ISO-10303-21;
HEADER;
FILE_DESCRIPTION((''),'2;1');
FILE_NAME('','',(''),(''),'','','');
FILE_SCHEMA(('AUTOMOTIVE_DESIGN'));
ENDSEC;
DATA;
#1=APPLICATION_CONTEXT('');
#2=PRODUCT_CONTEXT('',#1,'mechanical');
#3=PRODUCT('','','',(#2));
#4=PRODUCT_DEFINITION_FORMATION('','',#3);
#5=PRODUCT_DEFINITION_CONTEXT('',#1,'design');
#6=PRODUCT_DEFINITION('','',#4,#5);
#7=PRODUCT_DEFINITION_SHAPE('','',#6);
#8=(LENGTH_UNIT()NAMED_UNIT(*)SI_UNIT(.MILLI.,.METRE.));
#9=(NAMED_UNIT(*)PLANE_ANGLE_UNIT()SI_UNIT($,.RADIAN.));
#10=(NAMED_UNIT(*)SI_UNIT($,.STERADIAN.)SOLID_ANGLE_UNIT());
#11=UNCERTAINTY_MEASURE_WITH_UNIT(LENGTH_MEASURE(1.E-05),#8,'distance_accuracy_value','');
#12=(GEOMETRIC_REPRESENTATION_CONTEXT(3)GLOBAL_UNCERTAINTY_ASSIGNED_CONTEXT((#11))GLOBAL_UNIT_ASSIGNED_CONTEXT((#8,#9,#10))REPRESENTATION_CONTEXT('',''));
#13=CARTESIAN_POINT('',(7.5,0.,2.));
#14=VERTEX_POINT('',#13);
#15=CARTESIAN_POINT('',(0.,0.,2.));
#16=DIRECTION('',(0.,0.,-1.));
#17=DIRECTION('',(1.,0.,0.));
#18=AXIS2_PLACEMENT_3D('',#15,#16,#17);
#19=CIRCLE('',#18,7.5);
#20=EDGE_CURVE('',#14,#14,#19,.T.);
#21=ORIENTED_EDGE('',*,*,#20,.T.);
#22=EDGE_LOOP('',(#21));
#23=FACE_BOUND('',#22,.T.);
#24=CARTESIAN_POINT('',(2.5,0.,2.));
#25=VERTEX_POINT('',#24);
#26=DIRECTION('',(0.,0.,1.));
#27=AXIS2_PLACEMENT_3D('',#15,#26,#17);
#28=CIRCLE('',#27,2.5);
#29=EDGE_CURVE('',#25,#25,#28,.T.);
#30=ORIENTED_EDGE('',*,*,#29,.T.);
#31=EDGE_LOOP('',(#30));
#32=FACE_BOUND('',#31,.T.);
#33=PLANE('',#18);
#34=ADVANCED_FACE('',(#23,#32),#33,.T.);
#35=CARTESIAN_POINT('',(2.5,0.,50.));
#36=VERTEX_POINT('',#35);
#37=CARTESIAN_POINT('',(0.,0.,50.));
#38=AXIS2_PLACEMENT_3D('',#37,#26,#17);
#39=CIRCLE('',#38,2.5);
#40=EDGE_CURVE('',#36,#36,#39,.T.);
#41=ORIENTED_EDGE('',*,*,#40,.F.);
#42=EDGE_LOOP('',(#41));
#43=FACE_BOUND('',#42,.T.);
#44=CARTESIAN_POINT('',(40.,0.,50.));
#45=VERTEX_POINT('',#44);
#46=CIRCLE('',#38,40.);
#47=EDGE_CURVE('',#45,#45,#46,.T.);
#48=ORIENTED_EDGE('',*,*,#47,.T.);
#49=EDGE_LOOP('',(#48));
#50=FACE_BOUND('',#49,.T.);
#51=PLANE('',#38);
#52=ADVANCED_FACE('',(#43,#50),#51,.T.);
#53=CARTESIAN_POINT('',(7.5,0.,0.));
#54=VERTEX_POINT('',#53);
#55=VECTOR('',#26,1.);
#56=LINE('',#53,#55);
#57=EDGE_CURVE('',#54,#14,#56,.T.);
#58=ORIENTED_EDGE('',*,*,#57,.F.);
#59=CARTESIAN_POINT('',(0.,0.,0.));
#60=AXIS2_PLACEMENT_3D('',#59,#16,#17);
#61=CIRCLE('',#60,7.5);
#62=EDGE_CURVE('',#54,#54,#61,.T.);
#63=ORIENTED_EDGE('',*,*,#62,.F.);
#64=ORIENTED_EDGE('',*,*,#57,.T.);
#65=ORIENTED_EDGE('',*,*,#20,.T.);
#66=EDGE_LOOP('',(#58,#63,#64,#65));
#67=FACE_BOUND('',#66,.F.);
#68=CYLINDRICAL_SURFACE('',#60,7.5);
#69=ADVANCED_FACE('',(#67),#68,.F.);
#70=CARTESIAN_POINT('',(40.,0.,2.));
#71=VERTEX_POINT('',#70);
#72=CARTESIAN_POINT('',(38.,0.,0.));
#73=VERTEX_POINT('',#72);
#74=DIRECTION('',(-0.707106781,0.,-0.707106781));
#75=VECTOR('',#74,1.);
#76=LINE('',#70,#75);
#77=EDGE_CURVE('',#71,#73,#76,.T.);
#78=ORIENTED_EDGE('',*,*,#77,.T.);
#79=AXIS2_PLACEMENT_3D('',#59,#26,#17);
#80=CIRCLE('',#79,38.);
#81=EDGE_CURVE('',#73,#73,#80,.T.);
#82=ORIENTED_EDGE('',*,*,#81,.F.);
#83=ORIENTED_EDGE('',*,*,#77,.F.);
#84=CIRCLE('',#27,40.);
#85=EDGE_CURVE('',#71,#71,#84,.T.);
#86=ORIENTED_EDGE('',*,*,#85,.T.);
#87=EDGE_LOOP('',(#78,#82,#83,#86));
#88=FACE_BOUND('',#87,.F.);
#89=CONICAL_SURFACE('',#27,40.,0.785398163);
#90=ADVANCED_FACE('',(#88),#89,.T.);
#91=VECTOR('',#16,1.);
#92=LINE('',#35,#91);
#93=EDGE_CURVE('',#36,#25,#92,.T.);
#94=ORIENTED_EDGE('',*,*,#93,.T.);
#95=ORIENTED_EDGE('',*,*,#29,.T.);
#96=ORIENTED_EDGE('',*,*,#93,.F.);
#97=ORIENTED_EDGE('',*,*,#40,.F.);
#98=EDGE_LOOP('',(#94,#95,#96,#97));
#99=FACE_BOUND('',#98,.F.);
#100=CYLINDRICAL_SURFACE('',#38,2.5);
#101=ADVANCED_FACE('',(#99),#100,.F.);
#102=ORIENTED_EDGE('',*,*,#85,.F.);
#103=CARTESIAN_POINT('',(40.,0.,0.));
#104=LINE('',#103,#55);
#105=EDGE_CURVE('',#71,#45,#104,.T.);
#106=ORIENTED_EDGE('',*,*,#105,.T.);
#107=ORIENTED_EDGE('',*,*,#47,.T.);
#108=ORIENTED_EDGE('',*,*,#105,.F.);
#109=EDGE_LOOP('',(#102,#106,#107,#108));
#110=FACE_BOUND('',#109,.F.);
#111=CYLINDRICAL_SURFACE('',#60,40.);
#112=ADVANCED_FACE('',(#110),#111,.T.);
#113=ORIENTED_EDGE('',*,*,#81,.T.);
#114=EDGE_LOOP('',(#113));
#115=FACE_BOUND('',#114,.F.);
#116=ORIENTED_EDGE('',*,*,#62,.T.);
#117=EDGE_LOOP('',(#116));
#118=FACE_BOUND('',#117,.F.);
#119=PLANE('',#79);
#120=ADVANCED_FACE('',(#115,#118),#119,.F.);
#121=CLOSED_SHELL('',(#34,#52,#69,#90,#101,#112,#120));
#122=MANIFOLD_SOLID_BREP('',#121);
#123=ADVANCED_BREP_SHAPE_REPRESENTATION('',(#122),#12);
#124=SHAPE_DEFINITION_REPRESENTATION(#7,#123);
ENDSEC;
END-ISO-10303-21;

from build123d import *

# Parameters (mm, degrees)
F0_R     = 40
F1_DEPTH = 50
F2_R     = 2.5
F3_DEPTH = 50
F4_R     = 7.5
F5_DEPTH = 2
F6_SIZE  = 2


with BuildPart() as f1:
    # F0 (on Top) → F1 (new body)
    with BuildSketch(Plane.XY):
        Circle(F0_R)
    extrude(amount=F1_DEPTH)

    # F2 (on face) → F3 (cut)
    with BuildSketch(Plane.XY.offset(50)):
        Circle(F2_R)
    extrude(amount=-F3_DEPTH, mode=Mode.SUBTRACT)

    # F4 (on face) → F5 (cut)
    with BuildSketch(Plane(origin=(0, 0, 0), x_dir=(1, 0, 0), z_dir=(0, 0, -1))):
        Circle(F4_R)
    extrude(amount=-F5_DEPTH, mode=Mode.SUBTRACT)

    # F6
    f6_edges = [f1.edges().sort_by_distance(p)[0] for p in [
        (-40, 0, 0),
    ]]
    chamfer(f6_edges, length=F6_SIZE)


solid = f1.part
